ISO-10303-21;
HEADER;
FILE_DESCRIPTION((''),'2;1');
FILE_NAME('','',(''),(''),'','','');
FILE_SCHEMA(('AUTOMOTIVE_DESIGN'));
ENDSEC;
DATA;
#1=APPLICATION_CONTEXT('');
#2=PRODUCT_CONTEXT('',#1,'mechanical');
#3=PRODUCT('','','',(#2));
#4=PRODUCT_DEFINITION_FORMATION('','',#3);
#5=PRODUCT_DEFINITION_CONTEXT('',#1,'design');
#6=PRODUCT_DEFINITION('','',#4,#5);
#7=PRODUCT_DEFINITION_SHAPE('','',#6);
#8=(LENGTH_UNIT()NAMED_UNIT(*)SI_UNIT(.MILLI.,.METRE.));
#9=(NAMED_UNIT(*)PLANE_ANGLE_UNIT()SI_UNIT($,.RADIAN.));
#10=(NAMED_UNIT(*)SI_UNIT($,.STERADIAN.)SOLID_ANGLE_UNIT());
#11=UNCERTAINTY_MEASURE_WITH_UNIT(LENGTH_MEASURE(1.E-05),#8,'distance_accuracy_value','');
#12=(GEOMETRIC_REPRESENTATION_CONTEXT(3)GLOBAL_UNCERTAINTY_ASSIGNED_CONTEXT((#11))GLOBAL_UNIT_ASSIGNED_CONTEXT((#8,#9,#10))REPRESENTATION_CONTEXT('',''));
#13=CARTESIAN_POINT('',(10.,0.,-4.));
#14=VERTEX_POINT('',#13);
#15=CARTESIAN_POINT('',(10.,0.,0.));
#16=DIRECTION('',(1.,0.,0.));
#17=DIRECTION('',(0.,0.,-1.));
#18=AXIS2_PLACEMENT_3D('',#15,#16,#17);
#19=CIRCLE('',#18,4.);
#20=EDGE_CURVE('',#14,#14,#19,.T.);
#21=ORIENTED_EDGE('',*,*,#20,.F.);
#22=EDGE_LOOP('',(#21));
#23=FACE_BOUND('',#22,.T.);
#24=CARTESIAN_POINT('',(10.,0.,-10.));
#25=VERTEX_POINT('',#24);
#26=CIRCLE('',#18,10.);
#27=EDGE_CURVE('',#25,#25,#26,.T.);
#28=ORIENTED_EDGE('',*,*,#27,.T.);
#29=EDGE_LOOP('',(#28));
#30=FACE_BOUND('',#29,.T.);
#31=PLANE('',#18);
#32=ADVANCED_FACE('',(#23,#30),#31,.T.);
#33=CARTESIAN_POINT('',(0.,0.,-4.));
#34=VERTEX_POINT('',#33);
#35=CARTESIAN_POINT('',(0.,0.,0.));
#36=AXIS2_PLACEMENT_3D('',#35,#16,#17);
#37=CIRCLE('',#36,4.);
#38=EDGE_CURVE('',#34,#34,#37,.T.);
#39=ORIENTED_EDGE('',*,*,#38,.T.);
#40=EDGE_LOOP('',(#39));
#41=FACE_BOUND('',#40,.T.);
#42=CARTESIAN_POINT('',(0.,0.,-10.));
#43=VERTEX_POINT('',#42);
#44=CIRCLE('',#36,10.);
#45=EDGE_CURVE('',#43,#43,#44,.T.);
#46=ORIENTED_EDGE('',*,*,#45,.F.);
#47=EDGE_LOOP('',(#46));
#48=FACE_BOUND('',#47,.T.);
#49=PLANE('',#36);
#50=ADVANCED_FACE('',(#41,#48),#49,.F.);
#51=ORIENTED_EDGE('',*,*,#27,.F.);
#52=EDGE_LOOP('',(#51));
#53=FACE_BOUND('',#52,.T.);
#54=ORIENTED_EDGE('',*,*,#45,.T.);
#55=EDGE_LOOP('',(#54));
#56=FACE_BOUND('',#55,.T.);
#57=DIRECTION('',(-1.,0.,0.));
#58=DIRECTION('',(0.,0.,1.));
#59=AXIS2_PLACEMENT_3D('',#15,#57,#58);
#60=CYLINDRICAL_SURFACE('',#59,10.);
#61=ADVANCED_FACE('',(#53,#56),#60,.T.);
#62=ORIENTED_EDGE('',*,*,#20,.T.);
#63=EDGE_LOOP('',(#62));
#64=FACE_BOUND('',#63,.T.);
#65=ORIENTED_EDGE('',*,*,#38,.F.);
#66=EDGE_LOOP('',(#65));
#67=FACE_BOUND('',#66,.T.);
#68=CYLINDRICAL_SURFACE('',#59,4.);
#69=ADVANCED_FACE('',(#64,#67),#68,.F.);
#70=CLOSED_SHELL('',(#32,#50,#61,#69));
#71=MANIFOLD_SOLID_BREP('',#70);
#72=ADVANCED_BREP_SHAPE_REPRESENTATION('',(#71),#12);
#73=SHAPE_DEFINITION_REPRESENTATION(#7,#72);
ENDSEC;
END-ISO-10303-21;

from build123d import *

# Parameters (mm, degrees)
SKETCH_1_R      = 10
SKETCH_1_R_2    = 4
EXTRUDE_1_DEPTH = 10


with BuildPart() as part:
    # Эскиз1 → Вытянуть1 (new body)
    with BuildSketch(Plane(origin=(0, 0, 0), x_dir=(0, 0, -1), z_dir=(1, 0, 0))):
        Circle(SKETCH_1_R)
        Circle(SKETCH_1_R_2, mode=Mode.SUBTRACT)
    extrude(amount=EXTRUDE_1_DEPTH)


solid = part.part
